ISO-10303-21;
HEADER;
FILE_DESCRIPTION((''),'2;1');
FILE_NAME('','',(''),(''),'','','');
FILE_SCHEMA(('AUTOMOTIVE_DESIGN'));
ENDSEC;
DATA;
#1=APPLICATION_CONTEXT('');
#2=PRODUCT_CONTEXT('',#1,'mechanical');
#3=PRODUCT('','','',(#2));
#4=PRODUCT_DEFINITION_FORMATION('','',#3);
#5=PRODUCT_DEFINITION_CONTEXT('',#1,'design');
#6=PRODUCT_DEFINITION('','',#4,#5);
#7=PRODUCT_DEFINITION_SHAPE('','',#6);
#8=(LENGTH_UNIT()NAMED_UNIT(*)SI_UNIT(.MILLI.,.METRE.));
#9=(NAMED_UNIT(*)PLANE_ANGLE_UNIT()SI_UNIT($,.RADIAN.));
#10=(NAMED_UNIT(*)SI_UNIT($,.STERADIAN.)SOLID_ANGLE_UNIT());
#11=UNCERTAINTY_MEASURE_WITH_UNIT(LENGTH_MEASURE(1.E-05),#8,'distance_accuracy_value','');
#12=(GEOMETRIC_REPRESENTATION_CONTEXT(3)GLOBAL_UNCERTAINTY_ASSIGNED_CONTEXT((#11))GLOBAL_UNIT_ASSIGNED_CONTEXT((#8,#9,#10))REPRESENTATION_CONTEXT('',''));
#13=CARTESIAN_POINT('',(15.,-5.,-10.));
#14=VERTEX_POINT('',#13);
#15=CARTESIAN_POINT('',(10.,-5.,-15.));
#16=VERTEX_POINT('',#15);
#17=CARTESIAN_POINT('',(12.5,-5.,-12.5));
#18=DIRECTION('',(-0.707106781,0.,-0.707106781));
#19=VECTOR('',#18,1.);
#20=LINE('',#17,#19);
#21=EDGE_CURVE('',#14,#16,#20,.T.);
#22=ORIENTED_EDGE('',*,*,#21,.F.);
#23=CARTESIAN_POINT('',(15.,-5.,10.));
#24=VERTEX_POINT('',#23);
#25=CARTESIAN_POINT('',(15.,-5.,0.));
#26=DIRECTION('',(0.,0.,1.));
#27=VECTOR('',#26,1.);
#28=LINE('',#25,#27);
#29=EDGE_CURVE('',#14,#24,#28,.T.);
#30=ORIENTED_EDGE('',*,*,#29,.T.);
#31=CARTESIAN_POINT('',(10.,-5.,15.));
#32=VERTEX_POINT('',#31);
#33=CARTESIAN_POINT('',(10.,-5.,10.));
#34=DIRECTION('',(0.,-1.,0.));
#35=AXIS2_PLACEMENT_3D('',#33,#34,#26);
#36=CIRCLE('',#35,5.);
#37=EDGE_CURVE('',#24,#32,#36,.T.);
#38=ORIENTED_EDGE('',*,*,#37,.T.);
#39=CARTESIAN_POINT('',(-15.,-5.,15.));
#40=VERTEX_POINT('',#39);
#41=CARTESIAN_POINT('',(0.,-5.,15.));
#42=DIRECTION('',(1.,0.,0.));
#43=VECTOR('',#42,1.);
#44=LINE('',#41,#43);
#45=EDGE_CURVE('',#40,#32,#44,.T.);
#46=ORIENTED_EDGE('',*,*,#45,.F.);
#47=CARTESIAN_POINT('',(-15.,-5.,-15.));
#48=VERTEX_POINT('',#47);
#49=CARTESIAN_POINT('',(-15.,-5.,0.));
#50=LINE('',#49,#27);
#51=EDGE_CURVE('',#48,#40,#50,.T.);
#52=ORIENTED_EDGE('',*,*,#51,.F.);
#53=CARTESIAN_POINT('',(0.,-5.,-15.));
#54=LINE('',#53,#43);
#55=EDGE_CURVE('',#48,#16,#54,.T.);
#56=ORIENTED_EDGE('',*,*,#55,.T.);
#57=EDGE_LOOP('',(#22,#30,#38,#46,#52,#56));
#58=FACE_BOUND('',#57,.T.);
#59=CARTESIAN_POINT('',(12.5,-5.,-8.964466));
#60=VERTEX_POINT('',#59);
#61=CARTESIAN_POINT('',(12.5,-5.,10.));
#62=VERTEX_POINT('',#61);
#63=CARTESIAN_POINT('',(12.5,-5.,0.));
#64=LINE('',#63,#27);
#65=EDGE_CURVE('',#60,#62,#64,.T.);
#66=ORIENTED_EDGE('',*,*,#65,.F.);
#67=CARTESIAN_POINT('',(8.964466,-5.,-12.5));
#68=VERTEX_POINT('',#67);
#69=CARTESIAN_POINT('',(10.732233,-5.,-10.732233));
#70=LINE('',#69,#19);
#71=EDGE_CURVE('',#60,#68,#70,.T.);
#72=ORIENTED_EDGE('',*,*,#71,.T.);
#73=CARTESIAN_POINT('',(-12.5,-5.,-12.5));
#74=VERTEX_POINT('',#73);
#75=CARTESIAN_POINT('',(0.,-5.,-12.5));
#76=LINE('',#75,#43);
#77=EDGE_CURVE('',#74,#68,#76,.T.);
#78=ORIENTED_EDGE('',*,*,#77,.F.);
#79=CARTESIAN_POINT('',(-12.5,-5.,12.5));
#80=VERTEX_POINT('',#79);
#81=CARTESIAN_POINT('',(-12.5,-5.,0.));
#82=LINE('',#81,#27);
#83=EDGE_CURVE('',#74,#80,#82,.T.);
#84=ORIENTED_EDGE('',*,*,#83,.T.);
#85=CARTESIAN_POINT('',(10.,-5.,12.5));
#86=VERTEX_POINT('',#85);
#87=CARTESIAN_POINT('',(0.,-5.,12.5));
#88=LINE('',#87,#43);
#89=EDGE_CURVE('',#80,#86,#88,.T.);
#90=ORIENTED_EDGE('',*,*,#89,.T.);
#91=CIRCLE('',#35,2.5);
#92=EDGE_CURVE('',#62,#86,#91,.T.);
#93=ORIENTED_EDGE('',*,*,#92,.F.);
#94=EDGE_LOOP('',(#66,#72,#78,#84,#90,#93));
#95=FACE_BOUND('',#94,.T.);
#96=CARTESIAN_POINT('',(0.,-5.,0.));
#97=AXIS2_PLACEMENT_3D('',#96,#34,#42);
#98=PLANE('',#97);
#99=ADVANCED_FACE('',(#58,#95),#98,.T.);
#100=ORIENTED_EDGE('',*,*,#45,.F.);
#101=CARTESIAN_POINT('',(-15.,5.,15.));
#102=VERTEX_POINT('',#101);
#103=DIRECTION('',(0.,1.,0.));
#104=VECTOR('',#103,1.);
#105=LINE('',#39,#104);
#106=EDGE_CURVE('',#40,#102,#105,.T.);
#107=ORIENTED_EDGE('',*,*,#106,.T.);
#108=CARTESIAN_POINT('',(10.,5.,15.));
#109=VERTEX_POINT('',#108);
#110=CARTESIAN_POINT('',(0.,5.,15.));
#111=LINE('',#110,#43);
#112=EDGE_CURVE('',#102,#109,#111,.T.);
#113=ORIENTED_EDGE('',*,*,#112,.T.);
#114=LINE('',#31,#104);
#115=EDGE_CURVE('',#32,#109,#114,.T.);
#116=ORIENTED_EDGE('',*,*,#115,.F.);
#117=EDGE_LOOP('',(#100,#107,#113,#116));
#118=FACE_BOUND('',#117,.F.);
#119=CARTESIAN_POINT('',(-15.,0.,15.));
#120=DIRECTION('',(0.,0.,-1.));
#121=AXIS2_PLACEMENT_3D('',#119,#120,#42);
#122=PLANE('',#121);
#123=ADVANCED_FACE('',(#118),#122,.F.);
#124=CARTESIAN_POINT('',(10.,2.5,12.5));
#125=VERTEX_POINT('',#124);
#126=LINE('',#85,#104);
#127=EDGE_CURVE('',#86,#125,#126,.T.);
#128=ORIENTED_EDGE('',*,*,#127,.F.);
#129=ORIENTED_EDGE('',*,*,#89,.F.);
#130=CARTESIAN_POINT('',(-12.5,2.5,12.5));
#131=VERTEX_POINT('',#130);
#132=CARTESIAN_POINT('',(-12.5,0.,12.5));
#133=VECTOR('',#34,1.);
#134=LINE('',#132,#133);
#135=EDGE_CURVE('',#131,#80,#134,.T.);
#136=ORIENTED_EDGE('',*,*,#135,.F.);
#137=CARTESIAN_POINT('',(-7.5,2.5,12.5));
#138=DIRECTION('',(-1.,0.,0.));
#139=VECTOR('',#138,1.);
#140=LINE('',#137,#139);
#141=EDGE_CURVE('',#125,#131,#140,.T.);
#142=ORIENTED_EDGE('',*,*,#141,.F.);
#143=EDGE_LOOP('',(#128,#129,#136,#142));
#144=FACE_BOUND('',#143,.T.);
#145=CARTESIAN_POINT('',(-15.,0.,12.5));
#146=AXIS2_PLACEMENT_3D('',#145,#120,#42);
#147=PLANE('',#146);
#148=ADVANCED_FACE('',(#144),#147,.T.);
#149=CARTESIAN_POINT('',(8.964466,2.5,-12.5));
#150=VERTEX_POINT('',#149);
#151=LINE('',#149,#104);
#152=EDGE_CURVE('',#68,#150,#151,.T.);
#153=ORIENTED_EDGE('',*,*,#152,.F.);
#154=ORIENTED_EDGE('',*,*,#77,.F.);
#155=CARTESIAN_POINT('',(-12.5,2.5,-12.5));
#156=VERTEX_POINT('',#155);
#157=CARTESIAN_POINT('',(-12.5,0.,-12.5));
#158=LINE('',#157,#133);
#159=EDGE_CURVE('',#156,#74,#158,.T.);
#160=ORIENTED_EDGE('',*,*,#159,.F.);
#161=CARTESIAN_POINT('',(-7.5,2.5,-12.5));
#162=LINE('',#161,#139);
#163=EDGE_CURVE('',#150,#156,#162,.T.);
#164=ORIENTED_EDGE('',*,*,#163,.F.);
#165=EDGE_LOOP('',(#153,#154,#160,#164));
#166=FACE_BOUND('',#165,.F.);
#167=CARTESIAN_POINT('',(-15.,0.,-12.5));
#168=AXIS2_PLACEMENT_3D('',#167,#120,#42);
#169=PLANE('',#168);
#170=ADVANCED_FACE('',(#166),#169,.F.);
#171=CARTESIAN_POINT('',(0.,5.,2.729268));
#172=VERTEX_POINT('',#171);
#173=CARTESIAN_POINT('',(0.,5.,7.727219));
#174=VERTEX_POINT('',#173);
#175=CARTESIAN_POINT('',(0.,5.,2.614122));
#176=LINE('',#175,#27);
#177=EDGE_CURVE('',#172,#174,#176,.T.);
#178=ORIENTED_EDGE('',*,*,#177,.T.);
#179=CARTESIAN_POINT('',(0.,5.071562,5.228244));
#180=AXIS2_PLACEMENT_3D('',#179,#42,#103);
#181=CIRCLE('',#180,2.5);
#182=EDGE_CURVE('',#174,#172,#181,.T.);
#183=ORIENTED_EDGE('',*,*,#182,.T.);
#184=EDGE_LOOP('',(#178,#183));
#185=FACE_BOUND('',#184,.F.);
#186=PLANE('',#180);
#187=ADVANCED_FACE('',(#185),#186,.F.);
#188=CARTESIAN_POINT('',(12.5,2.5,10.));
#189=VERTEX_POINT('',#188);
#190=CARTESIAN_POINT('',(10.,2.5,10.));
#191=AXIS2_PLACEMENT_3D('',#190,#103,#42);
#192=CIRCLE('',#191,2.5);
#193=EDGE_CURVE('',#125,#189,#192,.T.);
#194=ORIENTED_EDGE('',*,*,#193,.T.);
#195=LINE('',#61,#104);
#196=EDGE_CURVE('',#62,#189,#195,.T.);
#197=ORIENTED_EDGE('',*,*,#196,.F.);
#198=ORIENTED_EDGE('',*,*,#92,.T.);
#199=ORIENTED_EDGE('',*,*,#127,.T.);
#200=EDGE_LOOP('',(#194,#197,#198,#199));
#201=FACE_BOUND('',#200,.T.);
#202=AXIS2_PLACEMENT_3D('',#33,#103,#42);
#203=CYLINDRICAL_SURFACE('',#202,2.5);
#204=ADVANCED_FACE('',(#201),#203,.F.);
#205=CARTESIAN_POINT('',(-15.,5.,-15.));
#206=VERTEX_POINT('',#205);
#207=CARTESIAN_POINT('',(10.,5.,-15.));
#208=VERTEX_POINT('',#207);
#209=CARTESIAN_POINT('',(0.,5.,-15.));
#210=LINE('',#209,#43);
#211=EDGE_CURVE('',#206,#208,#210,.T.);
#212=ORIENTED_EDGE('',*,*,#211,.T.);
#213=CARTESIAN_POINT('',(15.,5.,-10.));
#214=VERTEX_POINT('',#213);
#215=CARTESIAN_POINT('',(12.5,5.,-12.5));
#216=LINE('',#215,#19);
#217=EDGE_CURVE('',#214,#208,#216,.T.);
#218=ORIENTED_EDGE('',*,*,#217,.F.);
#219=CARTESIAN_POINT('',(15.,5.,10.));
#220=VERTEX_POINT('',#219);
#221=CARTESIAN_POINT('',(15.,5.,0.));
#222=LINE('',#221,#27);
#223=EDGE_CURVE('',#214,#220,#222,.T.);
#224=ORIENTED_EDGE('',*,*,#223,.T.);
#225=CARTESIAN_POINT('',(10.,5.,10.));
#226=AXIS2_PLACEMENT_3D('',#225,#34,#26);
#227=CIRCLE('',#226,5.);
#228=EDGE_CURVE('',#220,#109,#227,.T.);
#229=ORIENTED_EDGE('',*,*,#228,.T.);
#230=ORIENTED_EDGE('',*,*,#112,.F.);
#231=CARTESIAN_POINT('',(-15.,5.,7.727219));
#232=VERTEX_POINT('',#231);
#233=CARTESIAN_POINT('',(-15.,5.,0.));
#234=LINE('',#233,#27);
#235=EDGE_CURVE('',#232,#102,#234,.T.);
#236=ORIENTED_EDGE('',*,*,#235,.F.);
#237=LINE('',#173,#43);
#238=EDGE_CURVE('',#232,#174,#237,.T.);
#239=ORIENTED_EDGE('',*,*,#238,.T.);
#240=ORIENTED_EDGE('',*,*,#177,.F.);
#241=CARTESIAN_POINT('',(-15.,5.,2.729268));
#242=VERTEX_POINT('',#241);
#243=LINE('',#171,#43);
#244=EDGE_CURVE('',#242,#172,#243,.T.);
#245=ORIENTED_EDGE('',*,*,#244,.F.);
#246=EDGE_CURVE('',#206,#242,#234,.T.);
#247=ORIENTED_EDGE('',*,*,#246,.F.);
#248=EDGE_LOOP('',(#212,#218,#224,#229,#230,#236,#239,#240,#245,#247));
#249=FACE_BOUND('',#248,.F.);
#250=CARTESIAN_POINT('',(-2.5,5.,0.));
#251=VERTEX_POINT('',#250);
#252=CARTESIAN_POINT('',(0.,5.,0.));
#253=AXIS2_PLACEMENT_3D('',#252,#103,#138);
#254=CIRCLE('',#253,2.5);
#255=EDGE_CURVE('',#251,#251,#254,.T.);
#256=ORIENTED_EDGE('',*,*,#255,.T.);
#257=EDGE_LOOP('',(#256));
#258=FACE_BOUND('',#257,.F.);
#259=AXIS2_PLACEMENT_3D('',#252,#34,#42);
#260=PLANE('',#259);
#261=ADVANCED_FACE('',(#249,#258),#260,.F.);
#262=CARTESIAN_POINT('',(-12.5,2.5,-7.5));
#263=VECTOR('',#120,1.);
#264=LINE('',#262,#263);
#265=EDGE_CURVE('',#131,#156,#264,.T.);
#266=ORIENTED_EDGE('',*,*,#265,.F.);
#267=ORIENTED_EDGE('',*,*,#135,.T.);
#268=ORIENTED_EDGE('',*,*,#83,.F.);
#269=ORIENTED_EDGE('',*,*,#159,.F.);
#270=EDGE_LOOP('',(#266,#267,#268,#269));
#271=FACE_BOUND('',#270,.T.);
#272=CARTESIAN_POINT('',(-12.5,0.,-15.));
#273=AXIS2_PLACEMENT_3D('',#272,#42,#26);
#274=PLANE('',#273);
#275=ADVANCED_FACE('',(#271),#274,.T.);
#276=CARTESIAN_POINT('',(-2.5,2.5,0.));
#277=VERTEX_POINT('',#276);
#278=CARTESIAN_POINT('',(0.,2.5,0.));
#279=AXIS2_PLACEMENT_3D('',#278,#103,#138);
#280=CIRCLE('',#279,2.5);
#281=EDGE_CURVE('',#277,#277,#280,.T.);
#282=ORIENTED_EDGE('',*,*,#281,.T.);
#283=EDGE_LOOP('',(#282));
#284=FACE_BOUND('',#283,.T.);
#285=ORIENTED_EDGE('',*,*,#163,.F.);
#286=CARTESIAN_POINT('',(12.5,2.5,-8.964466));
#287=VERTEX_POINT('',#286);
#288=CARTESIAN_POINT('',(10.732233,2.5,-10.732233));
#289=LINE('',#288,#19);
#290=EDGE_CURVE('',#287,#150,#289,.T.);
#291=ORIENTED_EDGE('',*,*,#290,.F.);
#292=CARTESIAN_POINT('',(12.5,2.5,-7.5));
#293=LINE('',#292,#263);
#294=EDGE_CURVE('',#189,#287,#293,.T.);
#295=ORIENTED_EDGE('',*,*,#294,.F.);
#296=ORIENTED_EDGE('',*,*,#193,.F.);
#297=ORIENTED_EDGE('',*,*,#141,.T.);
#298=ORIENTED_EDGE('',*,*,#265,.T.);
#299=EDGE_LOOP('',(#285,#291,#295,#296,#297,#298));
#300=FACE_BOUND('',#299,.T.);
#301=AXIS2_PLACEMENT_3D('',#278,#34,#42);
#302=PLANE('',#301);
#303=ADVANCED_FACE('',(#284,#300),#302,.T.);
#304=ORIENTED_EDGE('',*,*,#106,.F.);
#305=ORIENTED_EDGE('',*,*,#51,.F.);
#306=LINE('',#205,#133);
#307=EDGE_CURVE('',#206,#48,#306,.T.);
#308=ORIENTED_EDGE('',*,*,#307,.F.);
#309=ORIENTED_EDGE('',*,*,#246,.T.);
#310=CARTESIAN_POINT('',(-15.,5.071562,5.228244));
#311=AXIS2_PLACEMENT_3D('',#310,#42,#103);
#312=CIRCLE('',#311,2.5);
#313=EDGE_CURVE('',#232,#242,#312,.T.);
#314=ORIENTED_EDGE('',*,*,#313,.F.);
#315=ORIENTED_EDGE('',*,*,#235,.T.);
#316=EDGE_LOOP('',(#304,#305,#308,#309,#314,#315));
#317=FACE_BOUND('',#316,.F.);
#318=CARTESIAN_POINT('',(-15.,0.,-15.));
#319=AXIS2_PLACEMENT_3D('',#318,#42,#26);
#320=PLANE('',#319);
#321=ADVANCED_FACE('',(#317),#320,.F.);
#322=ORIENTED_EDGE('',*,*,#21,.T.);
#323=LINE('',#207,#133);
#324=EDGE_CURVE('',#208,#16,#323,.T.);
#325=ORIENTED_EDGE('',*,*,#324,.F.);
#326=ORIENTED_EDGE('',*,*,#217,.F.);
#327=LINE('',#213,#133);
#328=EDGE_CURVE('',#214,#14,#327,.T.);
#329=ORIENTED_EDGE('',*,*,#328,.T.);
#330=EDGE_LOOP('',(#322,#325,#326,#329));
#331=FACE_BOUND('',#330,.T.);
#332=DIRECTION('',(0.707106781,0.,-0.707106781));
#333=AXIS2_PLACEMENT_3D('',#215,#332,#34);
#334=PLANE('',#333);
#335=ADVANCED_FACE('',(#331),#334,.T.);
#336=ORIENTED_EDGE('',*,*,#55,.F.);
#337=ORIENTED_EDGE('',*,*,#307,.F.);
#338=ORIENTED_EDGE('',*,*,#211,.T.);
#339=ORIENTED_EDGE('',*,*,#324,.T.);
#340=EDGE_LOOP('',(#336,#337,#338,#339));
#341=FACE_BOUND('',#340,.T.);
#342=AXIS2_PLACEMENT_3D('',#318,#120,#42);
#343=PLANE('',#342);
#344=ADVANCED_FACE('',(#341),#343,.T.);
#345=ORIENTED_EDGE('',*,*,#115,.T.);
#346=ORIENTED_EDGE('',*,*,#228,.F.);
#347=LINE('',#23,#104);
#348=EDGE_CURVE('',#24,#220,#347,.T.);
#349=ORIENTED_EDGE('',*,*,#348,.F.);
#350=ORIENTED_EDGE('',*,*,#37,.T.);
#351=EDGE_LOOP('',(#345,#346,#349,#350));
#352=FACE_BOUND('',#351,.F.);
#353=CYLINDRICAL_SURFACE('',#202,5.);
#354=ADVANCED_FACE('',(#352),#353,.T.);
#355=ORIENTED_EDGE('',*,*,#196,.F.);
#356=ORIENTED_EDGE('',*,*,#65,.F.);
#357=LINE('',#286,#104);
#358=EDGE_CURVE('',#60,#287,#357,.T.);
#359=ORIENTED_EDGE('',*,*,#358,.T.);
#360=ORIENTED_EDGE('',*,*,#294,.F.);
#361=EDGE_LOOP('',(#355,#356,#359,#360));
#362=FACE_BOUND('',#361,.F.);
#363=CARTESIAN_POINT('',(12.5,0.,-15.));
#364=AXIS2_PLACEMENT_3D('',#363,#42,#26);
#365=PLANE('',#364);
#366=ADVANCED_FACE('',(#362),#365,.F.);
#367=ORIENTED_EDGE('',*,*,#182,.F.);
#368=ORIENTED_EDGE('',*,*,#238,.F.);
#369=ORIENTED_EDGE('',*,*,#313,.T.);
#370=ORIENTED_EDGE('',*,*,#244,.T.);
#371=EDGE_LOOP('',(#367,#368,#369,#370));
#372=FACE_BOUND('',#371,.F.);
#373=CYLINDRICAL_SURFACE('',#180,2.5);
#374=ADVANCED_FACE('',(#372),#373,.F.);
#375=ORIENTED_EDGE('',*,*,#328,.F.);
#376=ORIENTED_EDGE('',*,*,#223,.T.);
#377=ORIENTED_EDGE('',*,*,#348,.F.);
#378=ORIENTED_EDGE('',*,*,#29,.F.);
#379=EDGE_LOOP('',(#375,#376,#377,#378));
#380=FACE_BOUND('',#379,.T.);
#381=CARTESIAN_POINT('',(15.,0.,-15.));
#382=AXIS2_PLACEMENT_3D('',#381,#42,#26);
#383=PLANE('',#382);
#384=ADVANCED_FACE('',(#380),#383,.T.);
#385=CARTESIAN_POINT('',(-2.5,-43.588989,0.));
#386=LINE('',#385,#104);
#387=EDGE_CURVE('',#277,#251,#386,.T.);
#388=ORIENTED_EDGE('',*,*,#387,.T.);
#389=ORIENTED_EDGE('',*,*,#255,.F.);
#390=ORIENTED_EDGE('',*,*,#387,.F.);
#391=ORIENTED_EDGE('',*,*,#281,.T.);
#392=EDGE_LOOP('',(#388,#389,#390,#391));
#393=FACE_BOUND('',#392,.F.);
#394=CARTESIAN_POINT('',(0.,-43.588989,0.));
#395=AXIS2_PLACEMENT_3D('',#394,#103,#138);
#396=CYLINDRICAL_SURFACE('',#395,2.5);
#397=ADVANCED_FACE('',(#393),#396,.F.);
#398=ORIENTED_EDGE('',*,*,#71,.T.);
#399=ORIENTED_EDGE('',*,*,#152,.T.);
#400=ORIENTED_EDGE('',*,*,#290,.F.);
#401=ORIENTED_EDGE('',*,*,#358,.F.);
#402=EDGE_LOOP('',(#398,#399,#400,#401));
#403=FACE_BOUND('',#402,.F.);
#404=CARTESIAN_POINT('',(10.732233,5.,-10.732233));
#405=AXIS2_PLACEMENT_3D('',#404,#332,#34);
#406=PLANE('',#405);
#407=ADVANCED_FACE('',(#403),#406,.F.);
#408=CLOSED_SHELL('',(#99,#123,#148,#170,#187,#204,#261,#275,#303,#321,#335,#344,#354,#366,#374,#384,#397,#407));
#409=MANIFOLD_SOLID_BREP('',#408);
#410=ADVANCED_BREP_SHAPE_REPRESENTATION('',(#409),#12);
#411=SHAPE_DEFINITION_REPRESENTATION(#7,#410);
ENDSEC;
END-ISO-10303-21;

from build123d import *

# Parameters (mm, degrees)
F0_W     = 30
F0_H     = 30
F1_DEPTH = 5
F2_R     = 5
F3_SIZE  = 5
F4_T     = -2.5
F6_D     = 5
F8_D     = 5
F8_DEPTH = 15.001


with BuildPart() as f1:
    # F0 (on Front) → F1 (new body, symmetric)
    with BuildSketch(Plane.XZ):
        Rectangle(F0_W, F0_H)
    extrude(amount=F1_DEPTH, both=True)

    # F2
    f2_edges = [f1.edges().sort_by_distance(p)[0] for p in [
        (15, 0, 15),
    ]]
    fillet(f2_edges, radius=F2_R)

    # F3
    f3_edges = [f1.edges().sort_by_distance(p)[0] for p in [
        (15, 0, -15),
    ]]
    chamfer(f3_edges, length=F3_SIZE)

    # F4
    f4_openings = [f1.faces().sort_by_distance(p)[0] for p in [
        (-0.273371, -5, 0.1045),
    ]]
    offset(amount=F4_T, openings=f4_openings)

    # F6 (through all)
    with Locations(Plane.XZ):
        with Locations((0, 0)):
            Hole(F6_D / 2)

    # F8 (through all, one way)
    with BuildSketch(Plane.YZ):
        with Locations((5.0715617836, 5.2282437682)):
            Circle(F8_D / 2)
    extrude(amount=-F8_DEPTH, mode=Mode.SUBTRACT)


solid = f1.part
